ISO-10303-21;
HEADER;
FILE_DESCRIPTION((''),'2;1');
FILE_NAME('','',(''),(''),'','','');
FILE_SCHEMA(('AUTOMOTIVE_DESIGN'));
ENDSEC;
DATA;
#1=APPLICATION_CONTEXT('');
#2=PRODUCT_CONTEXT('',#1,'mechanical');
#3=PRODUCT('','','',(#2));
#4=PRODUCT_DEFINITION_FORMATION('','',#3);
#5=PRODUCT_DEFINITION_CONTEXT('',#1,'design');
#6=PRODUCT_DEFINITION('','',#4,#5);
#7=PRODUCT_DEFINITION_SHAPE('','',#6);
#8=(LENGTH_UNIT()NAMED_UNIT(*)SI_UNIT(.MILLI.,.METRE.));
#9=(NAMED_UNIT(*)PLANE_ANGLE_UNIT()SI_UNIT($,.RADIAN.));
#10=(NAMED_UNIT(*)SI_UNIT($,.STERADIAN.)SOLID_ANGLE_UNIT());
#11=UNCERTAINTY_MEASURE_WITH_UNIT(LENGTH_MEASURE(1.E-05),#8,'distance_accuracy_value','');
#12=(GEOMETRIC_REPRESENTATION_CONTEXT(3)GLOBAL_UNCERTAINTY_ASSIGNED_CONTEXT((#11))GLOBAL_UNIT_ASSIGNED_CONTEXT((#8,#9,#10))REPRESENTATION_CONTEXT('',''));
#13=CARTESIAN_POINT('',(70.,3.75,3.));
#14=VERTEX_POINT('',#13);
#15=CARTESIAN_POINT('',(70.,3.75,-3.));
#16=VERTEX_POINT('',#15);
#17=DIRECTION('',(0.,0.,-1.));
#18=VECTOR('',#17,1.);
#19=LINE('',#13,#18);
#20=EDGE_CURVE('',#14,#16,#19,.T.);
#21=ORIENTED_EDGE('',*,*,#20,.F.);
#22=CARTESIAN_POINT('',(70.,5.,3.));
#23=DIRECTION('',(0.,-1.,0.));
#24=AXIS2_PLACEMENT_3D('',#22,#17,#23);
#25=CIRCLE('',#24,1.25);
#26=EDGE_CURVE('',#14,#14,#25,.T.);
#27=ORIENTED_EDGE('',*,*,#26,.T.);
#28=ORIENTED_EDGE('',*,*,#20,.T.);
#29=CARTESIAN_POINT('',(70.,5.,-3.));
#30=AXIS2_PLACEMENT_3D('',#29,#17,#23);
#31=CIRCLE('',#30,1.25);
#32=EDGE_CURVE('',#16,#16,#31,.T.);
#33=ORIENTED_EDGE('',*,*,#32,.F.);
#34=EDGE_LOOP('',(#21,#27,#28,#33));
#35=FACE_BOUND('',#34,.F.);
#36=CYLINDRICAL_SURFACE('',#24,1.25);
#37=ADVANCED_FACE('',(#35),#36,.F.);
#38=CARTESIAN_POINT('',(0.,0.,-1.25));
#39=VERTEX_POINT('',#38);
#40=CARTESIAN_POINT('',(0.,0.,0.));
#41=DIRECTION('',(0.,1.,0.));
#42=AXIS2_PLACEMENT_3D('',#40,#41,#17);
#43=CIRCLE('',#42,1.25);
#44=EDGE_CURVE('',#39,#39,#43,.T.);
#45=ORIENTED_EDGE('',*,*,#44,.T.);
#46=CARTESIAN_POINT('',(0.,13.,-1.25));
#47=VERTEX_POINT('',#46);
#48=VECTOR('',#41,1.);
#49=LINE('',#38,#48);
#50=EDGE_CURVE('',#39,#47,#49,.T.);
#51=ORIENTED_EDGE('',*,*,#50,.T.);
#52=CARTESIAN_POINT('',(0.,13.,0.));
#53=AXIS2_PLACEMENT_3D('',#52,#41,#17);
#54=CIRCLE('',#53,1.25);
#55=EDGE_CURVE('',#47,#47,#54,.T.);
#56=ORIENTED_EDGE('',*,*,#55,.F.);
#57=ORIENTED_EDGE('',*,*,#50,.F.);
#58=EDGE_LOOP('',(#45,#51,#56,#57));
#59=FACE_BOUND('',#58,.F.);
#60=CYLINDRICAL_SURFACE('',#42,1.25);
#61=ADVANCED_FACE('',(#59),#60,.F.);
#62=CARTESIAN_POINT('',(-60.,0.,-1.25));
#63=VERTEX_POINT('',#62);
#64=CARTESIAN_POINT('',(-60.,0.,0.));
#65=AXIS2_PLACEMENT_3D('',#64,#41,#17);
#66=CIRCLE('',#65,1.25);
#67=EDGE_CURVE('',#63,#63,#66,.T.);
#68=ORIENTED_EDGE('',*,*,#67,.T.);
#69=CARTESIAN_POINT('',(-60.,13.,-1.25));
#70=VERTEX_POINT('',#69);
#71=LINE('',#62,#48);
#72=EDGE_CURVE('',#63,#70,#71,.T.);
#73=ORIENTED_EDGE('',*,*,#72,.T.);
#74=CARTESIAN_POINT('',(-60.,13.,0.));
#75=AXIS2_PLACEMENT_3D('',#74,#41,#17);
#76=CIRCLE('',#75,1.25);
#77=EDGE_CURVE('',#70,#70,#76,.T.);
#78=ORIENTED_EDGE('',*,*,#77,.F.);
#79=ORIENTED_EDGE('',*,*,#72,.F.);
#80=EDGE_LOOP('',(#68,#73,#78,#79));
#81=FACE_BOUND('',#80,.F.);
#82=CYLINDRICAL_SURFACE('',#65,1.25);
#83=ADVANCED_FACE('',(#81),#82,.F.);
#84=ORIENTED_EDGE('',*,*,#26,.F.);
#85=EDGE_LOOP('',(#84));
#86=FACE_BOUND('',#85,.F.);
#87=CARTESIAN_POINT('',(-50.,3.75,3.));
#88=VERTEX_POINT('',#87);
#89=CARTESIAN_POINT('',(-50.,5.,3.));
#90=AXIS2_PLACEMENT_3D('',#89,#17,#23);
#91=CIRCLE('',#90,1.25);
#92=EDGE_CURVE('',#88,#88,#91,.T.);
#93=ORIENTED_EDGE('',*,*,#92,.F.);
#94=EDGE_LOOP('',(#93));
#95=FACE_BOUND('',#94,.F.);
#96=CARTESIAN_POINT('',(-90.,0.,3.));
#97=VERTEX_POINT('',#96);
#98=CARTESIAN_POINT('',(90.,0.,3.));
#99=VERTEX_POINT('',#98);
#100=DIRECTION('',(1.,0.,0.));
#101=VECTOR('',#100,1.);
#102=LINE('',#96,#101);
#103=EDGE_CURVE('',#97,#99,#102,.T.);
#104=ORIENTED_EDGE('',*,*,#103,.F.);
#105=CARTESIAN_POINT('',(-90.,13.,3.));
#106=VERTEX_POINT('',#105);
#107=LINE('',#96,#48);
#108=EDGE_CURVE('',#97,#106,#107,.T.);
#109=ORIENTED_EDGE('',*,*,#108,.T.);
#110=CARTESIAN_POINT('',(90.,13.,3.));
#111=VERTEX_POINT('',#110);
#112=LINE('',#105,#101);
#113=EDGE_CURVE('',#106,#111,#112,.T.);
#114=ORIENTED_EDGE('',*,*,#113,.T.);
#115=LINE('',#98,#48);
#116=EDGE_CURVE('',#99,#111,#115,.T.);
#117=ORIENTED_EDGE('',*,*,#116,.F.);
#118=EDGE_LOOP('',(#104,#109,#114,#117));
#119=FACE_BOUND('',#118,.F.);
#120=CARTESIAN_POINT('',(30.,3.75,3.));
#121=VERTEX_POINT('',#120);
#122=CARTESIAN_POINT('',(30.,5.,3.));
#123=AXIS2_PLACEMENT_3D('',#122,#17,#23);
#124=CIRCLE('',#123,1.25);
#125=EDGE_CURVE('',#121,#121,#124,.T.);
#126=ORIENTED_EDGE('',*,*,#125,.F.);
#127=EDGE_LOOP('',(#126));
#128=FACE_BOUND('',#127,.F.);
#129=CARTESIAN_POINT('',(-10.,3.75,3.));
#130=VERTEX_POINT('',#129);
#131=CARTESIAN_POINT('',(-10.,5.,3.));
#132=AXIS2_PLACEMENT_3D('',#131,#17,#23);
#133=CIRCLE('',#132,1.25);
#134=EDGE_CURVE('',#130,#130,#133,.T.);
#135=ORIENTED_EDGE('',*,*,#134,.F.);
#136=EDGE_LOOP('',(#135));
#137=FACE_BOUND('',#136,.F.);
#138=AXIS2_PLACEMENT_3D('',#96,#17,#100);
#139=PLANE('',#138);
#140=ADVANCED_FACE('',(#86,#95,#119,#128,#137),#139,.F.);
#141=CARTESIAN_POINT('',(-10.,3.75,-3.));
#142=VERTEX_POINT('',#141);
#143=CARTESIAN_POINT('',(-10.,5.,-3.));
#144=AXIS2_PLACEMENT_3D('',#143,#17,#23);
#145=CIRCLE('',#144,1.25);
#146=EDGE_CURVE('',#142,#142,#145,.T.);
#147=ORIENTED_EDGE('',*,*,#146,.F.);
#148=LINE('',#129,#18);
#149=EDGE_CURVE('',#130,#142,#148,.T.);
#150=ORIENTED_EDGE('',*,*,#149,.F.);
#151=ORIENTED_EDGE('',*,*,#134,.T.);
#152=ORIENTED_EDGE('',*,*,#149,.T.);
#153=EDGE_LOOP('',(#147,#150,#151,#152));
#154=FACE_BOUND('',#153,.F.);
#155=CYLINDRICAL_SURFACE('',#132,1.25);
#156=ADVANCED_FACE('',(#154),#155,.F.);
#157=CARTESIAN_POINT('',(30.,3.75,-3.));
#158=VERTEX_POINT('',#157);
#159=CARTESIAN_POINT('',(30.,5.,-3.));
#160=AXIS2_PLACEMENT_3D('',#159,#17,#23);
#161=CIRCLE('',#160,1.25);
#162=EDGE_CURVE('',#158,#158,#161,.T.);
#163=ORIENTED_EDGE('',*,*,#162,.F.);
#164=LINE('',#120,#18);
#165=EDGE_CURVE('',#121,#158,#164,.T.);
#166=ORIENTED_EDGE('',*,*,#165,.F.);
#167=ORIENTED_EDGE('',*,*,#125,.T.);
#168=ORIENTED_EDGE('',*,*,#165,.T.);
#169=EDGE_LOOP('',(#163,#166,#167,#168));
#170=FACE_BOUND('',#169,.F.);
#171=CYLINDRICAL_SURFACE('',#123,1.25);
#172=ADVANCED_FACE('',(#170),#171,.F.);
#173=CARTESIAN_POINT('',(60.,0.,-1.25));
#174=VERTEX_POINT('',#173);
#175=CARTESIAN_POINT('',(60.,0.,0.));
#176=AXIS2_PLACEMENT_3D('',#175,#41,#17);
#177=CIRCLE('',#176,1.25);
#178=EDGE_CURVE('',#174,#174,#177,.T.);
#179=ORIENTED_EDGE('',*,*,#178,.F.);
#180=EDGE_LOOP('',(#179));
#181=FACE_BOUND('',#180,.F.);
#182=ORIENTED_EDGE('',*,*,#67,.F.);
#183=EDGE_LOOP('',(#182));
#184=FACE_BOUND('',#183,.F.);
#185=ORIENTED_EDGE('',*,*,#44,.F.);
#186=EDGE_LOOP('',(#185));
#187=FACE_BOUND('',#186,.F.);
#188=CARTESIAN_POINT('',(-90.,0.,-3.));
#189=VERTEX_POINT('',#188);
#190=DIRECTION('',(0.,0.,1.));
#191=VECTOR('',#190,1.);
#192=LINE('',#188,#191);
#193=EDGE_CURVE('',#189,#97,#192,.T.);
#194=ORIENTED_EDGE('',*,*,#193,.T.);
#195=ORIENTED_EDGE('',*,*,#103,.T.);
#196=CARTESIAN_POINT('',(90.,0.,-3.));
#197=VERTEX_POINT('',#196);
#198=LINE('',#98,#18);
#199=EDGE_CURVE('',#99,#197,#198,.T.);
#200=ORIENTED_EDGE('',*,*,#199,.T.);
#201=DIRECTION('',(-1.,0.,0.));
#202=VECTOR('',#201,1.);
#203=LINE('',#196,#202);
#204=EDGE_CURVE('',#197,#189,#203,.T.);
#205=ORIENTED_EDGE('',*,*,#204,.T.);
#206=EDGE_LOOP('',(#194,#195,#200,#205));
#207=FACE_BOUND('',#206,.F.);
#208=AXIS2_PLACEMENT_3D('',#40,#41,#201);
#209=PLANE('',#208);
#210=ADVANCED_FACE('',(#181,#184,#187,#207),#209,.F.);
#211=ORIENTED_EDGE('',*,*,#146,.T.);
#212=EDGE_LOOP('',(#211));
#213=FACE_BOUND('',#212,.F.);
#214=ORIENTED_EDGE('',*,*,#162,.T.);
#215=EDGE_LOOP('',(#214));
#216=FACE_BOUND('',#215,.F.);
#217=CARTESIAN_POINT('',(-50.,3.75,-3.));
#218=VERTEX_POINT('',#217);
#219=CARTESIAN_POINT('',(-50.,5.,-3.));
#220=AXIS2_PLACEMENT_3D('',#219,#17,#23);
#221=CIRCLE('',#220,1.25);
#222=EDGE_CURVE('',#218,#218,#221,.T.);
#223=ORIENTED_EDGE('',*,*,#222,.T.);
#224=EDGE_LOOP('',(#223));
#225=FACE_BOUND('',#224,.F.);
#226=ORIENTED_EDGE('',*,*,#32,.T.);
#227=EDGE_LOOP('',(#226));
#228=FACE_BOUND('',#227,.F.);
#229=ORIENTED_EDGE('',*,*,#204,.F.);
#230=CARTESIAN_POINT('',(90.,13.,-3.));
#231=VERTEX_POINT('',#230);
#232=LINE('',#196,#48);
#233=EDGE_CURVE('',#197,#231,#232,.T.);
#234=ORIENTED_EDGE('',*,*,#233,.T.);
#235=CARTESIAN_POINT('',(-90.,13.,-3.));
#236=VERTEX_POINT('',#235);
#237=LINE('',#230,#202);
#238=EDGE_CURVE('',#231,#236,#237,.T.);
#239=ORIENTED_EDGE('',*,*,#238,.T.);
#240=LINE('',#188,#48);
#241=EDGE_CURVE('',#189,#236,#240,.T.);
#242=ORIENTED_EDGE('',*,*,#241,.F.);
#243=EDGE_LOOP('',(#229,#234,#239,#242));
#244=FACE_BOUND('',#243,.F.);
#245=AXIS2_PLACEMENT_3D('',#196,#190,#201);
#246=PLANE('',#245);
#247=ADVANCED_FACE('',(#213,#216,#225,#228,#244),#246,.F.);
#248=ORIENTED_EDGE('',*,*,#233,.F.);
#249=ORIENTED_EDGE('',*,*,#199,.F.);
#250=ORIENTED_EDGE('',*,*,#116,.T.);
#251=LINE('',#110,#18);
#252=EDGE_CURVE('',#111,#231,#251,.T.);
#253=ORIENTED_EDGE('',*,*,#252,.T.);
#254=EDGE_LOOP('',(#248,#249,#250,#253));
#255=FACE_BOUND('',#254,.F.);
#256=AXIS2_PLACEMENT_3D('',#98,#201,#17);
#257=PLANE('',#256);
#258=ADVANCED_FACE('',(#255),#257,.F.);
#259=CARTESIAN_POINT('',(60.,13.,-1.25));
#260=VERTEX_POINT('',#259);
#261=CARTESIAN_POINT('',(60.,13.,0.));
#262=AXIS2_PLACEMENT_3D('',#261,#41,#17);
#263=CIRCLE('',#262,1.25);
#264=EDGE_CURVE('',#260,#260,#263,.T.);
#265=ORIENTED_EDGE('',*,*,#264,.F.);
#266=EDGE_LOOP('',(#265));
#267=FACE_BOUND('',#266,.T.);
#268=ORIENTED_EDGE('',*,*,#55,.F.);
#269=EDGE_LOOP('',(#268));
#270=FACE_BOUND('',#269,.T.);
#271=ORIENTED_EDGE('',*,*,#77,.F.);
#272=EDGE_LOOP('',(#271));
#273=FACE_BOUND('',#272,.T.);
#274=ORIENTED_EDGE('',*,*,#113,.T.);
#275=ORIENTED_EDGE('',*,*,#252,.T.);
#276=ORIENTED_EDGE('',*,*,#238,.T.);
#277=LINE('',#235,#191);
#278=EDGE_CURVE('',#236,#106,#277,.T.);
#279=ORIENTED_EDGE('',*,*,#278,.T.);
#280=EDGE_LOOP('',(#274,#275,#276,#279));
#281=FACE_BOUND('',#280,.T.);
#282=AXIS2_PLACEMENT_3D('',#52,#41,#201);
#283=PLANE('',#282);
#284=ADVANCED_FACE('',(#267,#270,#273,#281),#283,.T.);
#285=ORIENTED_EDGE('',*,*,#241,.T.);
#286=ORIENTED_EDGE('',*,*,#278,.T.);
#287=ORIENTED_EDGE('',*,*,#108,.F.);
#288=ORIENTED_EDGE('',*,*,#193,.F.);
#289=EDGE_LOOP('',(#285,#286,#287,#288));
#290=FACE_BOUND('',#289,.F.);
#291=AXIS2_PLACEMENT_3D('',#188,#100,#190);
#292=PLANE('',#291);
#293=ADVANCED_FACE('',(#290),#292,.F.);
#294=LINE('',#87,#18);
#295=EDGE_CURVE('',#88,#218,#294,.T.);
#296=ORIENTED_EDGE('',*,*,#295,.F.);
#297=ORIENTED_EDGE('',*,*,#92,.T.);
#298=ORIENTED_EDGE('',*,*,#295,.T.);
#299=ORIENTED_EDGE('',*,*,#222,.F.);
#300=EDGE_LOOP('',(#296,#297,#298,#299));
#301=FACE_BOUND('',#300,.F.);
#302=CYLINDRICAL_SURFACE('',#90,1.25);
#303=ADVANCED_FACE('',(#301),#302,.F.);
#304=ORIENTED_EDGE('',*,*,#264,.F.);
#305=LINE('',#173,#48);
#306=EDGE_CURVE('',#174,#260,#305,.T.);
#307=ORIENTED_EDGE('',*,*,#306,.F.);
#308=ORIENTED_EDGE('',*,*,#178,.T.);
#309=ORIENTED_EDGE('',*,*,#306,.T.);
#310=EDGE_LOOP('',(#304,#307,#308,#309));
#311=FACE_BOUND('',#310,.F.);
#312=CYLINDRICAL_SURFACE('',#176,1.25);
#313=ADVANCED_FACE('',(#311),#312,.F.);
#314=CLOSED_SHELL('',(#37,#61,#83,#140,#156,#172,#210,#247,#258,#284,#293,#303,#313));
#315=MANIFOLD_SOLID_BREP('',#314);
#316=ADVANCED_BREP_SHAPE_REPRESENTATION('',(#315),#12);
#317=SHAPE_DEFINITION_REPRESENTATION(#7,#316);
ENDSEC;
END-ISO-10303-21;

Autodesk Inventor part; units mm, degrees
ref_plane "YZ Plane" through (0, 0, 0) normal (1, 0, 0) x (0, 1, 0)
ref_plane "XZ Plane" through (0, 0, 0) normal (0, 1, 0) x (-1, 0, 0)
ref_plane "XY Plane" through (0, 0, 0) normal (0, 0, 1) x (1, 0, 0)
sketch "スケッチ2" plane through (0, 0, 0) normal (0, 1, 0) x (-1, 0, 0)
  line L0 (-90, -3) -> (90, -3)
  line L1 (90, -3) -> (90, 3)
  line L2 (90, 3) -> (-90, 3)
  line L3 (-90, 3) -> (-90, -3)
  line L4 (-90, -3) -> (90, 3) construction
  line L5 (90, -3) -> (-90, 3) construction
  point P0 (0, 0)
  dimension "d1" = 180
  dimension "d2" = 6
extrude "押し出し1" add sketch "スケッチ2" along normal blind 13
sketch "スケッチ3" plane through (-90, 0, 3) normal (0, 0, 1) x (1, 0, 0)
  line L0 (0, 0) -> (180, 0) projected
  line L1 (180, 0) -> (180, 13) projected
  point P0 (90, 0)
  point P1 (160, 5)
  point P2 (120, 5)
  point P3 (80, 5)
  point P4 (40, 5)
  dimension "d5" = 5
  dimension "d6" = 20
  dimension "d7" = 40
  dimension "d8" = 40
  dimension "d16" = 40
  dimension "d17" = 5
hole "穴1" at (70, 5, 3) at (30, 5, 3) at (-10, 5, 3) at (-50, 5, 3) direction (0, 0, -1) diameter 2.5 end through all
sketch "スケッチ4" plane through (0, 0, 0) normal (0, -1, 0) x (1, 0, 0)
  line L0 (90, 3) -> (90, -3) projected
  point P0 (0, 0)
  point P1 (60, 0)
  point P2 (0, 0)
  point P3 (-60, 0)
  dimension "d18" = 30
  dimension "d19" = 60
  dimension "d20" = 60
hole "穴2" at (60, 0, 0) at (0, 0, 0) at (-60, 0, 0) direction (0, 1, 0) diameter 2.5 end through all
properties part number "slider"
